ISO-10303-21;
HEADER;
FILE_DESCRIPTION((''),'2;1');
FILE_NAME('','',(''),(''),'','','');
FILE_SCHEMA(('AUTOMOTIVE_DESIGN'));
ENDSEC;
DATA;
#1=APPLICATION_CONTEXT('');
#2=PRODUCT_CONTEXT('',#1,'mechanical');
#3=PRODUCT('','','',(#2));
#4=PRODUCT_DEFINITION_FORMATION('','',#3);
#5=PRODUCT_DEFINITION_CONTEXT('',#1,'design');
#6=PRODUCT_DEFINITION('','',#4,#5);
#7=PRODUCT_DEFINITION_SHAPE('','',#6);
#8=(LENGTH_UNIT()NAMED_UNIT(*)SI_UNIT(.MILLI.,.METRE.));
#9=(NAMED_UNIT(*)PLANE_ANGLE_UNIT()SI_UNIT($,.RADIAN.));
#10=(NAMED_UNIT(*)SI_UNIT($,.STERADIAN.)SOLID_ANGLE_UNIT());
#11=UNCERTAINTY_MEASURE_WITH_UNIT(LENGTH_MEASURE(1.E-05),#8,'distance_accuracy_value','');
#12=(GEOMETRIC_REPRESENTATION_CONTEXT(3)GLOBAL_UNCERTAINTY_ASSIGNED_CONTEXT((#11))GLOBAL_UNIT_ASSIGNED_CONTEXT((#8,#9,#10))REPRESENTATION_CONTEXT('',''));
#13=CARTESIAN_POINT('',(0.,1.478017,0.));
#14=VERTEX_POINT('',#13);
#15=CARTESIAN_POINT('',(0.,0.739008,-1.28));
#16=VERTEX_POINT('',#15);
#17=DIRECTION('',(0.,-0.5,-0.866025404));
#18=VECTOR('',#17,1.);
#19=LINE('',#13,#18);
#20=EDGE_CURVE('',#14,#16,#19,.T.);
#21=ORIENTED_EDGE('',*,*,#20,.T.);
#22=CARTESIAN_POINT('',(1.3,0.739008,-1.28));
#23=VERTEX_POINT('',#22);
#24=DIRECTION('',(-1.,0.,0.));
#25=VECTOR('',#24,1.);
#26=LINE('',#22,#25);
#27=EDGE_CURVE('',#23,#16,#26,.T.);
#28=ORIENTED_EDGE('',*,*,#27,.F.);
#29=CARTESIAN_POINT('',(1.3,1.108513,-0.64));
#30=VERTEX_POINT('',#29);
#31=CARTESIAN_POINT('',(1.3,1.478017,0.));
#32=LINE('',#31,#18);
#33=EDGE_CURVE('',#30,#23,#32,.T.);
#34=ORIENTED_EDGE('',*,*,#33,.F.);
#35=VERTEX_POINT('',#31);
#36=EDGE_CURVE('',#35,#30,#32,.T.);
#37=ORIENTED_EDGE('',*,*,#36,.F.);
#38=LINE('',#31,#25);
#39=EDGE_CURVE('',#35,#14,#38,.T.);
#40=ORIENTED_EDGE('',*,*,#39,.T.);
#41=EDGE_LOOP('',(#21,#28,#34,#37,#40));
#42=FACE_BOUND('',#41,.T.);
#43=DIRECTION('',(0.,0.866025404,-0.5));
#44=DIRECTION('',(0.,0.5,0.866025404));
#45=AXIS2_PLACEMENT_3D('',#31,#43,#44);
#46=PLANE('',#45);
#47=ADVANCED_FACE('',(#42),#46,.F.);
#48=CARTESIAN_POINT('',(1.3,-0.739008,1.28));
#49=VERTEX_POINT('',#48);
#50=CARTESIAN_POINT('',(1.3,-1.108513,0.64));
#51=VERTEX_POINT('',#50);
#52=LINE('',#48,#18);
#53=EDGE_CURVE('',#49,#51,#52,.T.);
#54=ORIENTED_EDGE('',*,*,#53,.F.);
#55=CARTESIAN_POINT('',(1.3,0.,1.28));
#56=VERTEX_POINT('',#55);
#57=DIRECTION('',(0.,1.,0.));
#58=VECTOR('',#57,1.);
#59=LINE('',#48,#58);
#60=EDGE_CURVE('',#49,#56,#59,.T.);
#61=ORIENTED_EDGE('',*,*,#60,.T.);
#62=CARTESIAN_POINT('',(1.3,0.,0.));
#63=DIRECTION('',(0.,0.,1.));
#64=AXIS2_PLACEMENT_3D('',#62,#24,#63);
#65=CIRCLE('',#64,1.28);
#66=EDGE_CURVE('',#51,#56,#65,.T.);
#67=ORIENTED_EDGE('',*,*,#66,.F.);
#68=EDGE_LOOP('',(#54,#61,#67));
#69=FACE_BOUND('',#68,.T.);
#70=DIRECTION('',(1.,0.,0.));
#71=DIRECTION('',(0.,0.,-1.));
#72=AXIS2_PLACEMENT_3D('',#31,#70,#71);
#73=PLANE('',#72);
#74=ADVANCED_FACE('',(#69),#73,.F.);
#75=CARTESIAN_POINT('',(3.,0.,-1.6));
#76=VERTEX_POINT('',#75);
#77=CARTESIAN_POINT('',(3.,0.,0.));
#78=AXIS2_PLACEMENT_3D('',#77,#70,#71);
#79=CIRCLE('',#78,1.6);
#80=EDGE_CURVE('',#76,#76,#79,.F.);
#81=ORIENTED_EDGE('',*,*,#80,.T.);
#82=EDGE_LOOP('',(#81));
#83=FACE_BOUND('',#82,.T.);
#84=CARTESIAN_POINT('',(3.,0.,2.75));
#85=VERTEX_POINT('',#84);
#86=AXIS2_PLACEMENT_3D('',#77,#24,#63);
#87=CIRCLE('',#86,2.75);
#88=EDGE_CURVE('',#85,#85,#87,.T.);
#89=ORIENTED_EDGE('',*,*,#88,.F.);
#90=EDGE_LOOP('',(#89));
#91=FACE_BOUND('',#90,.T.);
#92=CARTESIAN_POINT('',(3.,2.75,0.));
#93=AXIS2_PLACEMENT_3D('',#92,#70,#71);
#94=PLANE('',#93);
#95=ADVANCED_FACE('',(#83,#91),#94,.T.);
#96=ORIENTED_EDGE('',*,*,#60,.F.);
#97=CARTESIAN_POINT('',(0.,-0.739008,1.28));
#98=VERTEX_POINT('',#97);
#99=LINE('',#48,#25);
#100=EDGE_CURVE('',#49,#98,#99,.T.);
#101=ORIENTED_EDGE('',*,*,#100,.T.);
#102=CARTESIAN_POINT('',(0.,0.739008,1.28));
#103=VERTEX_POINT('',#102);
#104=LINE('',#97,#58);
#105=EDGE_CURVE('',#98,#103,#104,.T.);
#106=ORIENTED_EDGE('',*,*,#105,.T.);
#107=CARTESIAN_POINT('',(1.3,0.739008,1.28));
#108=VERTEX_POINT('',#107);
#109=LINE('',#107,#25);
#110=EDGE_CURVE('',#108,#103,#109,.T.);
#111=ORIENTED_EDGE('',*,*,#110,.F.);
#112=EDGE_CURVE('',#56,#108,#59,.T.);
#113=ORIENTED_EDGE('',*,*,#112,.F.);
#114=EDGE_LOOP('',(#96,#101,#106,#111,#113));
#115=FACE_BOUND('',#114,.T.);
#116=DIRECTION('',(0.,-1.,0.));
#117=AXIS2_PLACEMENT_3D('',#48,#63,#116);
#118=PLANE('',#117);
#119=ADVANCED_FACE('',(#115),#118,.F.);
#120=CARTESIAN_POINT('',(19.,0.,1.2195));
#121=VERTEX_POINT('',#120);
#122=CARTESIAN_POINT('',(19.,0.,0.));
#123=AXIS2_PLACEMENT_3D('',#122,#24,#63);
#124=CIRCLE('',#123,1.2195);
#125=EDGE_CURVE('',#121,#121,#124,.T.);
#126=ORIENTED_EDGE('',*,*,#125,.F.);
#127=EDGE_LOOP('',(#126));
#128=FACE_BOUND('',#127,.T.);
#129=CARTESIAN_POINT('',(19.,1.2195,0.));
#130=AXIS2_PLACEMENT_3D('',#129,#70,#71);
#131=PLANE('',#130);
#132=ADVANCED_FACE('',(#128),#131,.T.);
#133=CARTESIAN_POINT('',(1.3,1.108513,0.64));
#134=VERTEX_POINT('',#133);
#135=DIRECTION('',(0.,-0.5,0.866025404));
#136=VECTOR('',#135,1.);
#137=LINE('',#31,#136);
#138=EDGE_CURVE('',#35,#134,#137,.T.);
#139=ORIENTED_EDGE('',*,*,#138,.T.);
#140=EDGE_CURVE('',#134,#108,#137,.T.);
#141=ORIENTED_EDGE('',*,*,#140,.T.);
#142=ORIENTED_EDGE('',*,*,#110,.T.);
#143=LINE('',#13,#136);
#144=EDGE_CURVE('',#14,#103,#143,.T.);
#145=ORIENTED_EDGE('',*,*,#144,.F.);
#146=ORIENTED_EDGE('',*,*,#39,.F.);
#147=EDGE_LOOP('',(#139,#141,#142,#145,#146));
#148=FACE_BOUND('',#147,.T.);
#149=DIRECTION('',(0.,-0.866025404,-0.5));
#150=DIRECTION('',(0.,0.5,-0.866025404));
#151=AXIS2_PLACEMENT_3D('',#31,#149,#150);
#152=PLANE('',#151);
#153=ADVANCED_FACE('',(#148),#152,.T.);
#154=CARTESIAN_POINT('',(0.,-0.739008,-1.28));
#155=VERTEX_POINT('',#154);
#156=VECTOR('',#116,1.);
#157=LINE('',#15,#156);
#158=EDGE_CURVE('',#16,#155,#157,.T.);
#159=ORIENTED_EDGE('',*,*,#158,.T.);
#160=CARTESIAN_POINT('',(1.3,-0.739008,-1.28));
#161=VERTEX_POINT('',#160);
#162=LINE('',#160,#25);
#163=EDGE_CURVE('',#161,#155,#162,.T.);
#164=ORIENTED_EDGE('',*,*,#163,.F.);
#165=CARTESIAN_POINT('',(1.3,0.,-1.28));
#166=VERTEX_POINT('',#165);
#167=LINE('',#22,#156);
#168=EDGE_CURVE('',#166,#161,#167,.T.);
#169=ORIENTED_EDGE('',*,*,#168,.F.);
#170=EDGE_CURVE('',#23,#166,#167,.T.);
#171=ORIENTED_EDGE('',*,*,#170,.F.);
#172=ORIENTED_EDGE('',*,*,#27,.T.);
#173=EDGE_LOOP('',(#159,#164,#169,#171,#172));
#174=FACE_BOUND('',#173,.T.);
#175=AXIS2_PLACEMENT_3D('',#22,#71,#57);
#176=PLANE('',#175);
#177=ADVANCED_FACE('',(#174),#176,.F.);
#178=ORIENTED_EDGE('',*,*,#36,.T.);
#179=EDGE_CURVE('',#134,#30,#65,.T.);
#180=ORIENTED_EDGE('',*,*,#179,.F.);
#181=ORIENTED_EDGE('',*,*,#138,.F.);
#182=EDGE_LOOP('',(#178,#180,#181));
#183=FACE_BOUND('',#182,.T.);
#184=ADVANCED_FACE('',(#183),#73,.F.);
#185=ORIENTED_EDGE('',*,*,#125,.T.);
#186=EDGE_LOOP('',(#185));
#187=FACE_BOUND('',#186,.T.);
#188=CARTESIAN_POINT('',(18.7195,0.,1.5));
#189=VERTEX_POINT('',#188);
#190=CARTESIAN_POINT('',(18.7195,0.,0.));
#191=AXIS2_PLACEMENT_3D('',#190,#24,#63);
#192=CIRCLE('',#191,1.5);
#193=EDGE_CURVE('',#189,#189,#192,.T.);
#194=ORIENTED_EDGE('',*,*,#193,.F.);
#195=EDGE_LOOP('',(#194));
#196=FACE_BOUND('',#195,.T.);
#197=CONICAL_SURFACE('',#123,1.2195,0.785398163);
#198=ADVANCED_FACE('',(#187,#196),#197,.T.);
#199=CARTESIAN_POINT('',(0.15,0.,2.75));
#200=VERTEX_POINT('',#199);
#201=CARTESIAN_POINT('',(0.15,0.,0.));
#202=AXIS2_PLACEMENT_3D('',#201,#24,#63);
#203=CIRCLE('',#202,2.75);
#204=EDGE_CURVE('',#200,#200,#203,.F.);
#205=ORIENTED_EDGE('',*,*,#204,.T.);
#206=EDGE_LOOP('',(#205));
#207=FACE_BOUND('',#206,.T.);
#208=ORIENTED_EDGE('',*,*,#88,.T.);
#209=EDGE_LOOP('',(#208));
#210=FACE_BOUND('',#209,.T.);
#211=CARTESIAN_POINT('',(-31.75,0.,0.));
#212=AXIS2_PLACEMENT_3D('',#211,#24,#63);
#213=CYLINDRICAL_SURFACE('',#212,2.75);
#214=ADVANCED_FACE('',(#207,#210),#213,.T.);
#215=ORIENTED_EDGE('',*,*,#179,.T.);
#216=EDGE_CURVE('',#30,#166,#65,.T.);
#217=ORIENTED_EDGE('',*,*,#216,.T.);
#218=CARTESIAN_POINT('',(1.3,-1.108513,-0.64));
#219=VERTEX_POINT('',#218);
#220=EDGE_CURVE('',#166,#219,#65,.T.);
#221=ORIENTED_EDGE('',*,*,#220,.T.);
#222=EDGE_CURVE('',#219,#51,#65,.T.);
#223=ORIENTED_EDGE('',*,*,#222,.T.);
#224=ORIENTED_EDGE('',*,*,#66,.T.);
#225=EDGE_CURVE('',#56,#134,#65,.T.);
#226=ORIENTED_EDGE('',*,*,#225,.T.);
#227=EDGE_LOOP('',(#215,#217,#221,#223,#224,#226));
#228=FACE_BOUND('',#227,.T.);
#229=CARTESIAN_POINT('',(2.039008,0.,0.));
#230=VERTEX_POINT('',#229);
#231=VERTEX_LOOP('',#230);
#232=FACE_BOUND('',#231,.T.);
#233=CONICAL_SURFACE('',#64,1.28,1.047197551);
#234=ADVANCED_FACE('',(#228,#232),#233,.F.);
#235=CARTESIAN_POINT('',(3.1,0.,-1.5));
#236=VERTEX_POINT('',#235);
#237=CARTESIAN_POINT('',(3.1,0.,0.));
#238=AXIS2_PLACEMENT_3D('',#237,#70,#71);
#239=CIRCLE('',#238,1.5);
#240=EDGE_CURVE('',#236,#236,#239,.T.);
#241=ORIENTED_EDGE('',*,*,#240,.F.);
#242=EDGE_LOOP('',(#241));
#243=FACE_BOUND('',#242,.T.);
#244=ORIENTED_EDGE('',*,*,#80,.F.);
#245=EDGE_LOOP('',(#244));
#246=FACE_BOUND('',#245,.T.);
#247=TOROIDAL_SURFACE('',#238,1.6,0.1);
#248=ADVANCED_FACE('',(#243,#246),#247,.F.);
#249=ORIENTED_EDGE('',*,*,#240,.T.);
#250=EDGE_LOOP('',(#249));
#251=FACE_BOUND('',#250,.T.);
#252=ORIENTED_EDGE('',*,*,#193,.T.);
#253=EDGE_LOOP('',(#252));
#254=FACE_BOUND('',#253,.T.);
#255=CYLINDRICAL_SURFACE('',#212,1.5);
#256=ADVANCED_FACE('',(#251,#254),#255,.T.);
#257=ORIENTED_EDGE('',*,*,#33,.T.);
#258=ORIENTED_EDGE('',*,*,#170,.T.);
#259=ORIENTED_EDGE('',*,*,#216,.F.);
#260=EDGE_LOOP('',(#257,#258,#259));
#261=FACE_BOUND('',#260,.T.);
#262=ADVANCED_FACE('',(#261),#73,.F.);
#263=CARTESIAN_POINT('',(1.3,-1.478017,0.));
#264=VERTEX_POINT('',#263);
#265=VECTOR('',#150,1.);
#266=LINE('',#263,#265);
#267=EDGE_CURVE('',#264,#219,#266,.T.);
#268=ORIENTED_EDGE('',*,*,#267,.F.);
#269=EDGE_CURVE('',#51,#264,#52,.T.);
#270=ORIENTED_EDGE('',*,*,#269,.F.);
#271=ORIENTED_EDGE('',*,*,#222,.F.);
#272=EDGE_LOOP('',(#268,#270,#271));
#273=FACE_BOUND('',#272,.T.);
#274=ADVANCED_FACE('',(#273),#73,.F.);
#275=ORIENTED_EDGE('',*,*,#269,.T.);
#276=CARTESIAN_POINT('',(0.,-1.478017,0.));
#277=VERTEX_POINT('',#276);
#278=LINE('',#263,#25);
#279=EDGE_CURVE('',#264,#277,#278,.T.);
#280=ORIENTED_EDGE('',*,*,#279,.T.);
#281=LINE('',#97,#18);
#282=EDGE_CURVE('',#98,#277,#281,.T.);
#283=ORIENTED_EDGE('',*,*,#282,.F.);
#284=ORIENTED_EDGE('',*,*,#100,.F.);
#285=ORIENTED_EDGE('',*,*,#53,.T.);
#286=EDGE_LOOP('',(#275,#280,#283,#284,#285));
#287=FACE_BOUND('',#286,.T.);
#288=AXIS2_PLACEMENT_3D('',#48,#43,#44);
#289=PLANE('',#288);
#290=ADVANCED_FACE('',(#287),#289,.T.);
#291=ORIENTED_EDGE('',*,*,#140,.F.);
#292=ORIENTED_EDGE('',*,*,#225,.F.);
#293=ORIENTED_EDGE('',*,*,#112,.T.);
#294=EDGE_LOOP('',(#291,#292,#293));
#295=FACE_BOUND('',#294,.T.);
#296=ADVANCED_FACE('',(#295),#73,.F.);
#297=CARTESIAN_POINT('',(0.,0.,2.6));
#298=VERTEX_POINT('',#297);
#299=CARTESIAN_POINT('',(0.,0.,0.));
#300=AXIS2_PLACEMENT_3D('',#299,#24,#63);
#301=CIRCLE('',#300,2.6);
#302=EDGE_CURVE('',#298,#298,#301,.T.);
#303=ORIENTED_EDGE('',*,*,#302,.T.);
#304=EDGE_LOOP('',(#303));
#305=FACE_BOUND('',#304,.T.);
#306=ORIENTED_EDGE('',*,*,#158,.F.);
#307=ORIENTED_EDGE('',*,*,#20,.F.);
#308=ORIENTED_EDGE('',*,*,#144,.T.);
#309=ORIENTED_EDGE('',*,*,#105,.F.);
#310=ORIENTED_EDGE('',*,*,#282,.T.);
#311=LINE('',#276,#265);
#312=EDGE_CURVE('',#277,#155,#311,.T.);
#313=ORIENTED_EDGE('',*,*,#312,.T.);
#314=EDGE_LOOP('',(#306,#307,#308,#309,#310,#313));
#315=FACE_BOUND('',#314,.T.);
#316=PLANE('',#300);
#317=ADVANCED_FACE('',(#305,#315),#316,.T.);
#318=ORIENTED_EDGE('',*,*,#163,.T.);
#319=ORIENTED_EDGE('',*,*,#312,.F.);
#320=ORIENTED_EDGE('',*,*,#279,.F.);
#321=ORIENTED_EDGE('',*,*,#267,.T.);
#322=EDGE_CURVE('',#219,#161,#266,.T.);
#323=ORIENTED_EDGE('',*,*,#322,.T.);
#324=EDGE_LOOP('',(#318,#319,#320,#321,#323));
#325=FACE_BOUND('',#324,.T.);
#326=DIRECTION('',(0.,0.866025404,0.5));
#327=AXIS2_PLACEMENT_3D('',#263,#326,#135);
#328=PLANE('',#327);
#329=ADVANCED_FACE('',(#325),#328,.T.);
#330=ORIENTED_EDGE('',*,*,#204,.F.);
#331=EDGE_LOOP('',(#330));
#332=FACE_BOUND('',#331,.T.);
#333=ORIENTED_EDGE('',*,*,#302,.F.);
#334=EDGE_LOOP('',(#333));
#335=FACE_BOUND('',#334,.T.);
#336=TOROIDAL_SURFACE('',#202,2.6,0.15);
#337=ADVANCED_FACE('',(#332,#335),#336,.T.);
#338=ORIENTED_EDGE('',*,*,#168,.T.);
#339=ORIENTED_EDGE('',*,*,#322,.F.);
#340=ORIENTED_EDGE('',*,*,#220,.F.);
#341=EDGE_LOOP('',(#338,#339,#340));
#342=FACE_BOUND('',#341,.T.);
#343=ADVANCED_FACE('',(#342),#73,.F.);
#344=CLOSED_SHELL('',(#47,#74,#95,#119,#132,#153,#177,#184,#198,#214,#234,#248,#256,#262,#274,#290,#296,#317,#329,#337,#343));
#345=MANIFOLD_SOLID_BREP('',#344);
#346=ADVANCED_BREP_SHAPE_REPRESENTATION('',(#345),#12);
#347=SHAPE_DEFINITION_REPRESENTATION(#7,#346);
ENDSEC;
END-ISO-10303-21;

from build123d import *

# Parameters (mm, degrees)
FILLET1_R   = 0.1
FILLET2_R   = 0.15
HEX_2_DEPTH = 1.3


with BuildPart() as part:
    # BodySke → Base-Revolve (revolve)
    with BuildSketch(Plane.XY, mode=Mode.PRIVATE) as base_revolve_sk:
        Polygon((0, 0), (0, 2.75), (3, 2.75), (3, 1.5), (18.7195, 1.5), (19, 1.2195), (19, 0), align=None)
    revolve(base_revolve_sk.sketch.rotate(Axis((-31.75, 0, 0), (1, 0, 0)), 90), axis=Axis((-31.75, 0, 0), (1, 0, 0)))  # turned: the seam where the file's is

    # Fillet1
    fillet1_edges = [part.edges().sort_by_distance(p)[0] for p in [
        (3, 0, -1.5),
    ]]
    fillet(fillet1_edges, radius=FILLET1_R)

    # Fillet2
    fillet2_edges = [part.edges().sort_by_distance(p)[0] for p in [
        (0, 0, -2.75),
    ]]
    fillet(fillet2_edges, radius=FILLET2_R)

    # Sketch2 → Hex-PreBroach (revolve, cut)
    with BuildSketch(Plane.XY, mode=Mode.PRIVATE) as hex_prebroach_sk:
        Polygon((0, 1.28), (1.3, 1.28), (2.039008345, 0), (0, 0), align=None)
    revolve(hex_prebroach_sk.sketch.rotate(Axis((0, 0, 0), (1, 0, 0)), 90), axis=Axis((0, 0, 0), (1, 0, 0)), mode=Mode.SUBTRACT)  # turned: the seam where the file's is

    # Sketch3 → Hex 2 (cut)
    with BuildSketch(Plane(origin=(0, 0, 0), x_dir=(0, 0.5, 0.866025404), z_dir=(-1, 0, 0))):
        Polygon((0.739008345, 1.28), (-0.739008345, 1.28), (-1.478016689, 0), (-0.739008345, -1.28), (0.739008345, -1.28), (1.478016689, 0), align=None)
    extrude(amount=-HEX_2_DEPTH, mode=Mode.SUBTRACT)


solid = part.part
